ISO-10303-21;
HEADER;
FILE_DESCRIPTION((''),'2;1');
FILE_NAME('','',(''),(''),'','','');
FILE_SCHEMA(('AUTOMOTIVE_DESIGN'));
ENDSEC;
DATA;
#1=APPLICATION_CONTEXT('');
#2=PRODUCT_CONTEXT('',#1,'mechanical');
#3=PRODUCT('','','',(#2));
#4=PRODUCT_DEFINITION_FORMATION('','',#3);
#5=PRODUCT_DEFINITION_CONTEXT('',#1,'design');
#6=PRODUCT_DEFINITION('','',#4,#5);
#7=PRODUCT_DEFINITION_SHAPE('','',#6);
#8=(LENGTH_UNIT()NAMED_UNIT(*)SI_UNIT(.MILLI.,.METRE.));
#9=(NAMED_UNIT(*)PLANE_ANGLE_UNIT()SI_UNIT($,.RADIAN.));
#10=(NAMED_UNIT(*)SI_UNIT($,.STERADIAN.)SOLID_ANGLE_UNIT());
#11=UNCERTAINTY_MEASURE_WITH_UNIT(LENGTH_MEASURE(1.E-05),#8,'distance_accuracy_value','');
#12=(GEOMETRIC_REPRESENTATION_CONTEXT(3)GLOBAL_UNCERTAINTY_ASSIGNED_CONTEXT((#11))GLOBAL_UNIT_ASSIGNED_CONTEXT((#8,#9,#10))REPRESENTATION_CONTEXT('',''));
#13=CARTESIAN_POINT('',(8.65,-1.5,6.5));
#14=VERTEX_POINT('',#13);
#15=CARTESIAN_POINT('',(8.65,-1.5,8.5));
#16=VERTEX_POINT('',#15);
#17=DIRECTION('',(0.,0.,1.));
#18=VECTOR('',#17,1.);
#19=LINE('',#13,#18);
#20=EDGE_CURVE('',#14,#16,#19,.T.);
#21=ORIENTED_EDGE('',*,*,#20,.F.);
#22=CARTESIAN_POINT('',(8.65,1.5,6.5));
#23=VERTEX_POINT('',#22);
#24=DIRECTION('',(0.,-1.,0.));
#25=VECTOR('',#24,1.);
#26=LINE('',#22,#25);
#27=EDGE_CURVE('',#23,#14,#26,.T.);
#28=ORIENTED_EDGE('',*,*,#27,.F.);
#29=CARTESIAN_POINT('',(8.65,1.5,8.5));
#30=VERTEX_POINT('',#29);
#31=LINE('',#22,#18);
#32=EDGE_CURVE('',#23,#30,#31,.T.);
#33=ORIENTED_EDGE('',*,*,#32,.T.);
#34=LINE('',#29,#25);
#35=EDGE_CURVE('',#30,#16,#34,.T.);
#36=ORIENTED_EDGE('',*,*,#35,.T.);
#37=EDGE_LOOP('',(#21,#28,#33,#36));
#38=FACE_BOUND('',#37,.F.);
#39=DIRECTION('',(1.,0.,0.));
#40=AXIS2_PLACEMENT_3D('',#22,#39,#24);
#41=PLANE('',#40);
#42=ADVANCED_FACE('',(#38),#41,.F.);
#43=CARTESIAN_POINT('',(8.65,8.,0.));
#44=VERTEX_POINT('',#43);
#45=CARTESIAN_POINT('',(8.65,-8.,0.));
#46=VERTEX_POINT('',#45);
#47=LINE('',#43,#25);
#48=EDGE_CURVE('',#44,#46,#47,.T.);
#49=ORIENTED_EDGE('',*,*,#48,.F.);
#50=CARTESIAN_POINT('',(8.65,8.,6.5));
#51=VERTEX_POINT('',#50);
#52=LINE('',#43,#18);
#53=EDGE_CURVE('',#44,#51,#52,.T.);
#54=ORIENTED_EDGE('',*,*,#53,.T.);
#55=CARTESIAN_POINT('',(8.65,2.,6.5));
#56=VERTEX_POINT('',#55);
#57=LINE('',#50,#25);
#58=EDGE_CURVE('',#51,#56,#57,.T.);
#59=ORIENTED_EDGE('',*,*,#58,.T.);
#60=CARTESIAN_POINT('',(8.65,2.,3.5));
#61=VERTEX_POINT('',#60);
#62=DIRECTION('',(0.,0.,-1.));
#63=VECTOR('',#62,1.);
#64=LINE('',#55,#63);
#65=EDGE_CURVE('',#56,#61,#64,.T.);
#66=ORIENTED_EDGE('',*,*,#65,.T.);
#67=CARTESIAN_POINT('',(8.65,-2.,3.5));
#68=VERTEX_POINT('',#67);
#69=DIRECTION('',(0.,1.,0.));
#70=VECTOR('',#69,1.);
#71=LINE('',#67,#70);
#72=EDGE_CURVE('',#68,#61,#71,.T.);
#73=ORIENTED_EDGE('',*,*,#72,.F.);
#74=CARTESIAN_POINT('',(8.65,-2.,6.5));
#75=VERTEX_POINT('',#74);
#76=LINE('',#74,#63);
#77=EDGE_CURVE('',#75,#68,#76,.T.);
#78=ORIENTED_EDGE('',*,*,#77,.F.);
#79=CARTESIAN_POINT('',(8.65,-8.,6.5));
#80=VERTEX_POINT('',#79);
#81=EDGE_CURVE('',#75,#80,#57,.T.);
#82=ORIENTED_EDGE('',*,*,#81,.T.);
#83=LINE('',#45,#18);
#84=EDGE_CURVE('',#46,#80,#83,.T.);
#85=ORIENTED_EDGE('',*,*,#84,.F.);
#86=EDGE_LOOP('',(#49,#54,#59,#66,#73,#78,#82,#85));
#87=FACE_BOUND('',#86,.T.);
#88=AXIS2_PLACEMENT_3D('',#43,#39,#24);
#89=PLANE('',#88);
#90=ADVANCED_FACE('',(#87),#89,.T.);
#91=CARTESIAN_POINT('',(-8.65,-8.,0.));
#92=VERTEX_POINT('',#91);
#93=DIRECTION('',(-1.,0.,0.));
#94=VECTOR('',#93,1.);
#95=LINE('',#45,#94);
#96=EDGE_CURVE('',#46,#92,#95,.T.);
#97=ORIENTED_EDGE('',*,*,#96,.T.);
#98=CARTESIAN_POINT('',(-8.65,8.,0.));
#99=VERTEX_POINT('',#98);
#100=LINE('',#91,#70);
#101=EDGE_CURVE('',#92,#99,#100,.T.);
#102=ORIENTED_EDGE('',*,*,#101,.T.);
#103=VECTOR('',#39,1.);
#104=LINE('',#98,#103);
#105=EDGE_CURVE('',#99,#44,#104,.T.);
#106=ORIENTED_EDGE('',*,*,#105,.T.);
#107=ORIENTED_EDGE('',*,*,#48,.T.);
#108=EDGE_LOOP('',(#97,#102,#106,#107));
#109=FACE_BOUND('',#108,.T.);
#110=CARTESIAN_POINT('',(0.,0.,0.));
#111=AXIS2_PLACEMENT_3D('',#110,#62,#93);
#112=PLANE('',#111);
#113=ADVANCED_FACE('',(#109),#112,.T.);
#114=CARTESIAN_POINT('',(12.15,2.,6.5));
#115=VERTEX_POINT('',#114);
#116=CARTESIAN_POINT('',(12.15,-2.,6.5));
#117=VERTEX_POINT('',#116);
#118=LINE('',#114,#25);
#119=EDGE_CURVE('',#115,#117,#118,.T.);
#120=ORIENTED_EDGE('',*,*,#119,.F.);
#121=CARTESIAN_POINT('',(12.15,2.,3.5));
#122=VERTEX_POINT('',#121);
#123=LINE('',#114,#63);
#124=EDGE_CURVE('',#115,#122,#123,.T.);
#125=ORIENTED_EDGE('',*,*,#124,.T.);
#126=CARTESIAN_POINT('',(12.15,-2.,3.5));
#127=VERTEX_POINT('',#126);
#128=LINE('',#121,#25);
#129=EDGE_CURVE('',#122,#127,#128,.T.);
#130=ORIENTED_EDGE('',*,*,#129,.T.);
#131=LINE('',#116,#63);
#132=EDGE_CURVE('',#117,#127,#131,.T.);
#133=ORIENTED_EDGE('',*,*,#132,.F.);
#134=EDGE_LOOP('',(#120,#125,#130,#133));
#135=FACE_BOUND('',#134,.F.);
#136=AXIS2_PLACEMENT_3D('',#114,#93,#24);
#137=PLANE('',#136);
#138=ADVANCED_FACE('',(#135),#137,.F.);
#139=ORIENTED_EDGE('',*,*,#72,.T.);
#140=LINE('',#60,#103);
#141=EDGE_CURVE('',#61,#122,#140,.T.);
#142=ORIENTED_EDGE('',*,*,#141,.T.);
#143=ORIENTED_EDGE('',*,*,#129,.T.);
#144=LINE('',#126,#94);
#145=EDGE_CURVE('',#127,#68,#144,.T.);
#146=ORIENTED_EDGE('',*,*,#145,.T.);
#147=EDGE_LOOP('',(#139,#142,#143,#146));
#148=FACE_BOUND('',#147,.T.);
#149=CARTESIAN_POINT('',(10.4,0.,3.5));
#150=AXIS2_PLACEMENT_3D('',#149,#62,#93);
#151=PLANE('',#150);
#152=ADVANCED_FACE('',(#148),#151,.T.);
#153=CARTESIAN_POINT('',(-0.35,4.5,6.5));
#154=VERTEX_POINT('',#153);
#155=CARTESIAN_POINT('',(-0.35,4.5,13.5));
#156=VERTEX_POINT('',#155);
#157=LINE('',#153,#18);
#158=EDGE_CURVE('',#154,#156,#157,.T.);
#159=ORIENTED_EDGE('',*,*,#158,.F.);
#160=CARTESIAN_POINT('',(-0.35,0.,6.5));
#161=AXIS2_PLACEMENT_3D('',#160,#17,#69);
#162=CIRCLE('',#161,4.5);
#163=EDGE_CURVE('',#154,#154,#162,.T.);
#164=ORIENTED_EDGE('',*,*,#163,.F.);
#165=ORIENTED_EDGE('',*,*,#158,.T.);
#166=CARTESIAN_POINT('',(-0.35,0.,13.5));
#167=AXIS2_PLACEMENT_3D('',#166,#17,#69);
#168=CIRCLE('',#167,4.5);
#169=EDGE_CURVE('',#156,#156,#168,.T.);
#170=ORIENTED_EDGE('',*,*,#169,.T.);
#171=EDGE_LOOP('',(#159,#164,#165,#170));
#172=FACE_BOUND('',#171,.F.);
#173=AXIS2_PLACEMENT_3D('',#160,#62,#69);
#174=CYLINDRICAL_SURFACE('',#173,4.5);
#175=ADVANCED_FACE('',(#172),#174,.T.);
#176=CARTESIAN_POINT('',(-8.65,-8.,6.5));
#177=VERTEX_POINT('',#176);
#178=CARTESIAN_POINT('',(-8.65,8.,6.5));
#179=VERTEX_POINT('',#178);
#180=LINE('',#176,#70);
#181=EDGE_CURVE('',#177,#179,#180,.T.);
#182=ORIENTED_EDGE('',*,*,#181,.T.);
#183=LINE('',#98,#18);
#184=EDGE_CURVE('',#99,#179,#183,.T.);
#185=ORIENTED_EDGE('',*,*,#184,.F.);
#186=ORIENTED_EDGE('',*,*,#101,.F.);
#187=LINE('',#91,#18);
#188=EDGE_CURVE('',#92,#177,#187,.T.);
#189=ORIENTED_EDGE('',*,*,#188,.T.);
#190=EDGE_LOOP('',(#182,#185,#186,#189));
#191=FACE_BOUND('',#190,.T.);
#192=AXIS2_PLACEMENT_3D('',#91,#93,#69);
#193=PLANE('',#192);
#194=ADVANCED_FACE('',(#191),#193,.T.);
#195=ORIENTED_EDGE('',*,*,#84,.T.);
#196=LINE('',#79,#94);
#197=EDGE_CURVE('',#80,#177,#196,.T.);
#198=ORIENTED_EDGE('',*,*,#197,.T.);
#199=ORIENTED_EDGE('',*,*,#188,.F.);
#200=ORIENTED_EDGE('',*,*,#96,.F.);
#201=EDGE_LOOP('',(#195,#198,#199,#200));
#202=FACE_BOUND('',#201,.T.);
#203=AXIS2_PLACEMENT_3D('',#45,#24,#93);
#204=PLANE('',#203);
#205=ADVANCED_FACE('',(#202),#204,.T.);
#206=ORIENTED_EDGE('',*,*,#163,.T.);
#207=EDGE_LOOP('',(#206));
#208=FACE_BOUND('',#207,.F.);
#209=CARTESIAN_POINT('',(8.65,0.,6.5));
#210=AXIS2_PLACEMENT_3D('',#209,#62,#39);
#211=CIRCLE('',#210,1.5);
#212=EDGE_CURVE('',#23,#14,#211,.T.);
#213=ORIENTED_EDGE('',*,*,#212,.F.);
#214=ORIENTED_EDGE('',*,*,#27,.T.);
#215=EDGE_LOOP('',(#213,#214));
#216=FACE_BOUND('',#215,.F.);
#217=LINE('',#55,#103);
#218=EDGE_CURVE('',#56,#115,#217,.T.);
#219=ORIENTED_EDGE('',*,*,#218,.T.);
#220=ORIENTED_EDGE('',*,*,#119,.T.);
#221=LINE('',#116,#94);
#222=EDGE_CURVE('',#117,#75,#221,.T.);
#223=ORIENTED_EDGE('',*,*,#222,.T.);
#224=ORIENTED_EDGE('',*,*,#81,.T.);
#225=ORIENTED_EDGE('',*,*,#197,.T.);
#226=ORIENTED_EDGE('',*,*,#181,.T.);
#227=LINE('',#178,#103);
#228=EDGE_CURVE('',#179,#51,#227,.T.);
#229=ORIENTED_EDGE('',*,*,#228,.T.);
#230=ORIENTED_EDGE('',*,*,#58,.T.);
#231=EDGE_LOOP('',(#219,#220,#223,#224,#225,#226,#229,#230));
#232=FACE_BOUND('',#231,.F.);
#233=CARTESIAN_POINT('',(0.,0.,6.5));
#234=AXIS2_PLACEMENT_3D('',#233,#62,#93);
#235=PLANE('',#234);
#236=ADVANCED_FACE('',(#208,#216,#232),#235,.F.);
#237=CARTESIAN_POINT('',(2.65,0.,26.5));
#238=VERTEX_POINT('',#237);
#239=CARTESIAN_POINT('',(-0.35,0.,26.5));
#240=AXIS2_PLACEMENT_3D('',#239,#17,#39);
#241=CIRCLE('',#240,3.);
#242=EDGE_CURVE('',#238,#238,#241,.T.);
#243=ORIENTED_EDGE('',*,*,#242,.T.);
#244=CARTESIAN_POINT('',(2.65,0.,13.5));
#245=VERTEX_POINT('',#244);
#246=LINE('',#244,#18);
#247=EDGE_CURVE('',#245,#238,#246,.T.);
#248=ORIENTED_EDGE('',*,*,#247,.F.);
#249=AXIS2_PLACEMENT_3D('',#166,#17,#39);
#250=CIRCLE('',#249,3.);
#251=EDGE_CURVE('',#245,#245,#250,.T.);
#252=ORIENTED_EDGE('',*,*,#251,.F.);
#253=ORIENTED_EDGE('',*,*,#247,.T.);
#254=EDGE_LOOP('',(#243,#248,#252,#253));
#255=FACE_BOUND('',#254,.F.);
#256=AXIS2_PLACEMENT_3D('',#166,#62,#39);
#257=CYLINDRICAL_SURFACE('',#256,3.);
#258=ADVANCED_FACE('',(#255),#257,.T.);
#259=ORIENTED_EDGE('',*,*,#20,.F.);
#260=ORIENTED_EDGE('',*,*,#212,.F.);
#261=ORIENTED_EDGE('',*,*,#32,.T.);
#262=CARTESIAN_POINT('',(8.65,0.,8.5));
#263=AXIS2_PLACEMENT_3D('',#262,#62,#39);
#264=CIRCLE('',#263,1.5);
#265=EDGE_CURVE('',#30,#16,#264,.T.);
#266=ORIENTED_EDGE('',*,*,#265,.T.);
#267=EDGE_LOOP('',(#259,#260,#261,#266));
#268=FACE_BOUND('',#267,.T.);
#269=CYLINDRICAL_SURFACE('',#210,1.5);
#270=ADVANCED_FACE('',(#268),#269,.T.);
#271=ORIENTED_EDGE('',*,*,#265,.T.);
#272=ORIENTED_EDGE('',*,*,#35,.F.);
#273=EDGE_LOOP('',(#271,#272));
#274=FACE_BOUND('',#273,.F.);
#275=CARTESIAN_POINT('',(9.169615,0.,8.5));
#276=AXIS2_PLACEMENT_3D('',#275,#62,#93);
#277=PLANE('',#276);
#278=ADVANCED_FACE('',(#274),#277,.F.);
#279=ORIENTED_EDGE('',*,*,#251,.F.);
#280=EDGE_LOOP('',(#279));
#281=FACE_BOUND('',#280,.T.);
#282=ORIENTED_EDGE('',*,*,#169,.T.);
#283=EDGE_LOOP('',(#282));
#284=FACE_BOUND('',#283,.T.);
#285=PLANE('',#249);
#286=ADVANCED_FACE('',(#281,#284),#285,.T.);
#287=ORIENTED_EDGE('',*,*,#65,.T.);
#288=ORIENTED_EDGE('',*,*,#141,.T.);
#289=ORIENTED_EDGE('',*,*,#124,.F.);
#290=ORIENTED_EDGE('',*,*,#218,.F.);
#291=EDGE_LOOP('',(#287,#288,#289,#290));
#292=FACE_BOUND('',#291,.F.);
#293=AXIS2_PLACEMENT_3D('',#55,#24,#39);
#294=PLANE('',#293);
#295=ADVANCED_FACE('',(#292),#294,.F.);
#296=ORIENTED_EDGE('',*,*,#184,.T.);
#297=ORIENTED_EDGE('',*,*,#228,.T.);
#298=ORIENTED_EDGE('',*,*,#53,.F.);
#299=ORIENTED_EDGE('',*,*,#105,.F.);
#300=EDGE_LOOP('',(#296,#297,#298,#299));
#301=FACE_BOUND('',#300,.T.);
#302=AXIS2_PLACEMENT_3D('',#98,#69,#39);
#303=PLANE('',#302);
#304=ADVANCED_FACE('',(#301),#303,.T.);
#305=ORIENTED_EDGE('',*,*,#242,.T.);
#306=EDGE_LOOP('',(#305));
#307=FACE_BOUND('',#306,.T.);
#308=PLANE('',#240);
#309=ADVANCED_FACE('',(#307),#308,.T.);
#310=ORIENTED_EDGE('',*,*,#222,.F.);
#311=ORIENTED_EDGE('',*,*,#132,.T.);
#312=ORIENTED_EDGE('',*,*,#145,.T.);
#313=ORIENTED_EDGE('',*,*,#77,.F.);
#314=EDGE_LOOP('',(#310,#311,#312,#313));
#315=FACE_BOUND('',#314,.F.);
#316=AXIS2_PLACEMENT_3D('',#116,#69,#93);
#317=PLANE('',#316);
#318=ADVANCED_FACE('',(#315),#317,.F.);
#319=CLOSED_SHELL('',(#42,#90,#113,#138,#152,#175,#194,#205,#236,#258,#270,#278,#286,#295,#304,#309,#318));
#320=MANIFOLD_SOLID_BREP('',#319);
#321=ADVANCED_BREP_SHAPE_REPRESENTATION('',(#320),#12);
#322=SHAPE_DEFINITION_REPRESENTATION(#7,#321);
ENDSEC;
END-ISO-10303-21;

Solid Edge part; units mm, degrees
sketch "Sketch1" plane through (0, 0, 0) normal (0, 0, 1) x (1, 0, 0)
  line L0 (8.65, -8) -> (-8.65, -8)
  line L1 (-8.65, -8) -> (-8.65, 8)
  line L2 (-8.65, 8) -> (8.65, 8)
  line L3 (8.65, 8) -> (8.65, -8)
  dimension "D1" = 17.3
  dimension "D2" = 16
extrude "Protrusion1" add sketch "Sketch1" along normal blind 6.5
sketch "Sketch2" plane through (0, 0, 6.5) normal (0, 0, 1) x (0, 1, 0)
  circle A0 centre (0, 0.35) radius 4.5
  dimension "D1" = 8.3
extrude "ExtrudedProtrusion_2" add sketch "Sketch2" along normal blind 7
sketch "Sketch3" plane through (0, 0, 6.5) normal (0, 0, 1) x (1, 0, 0)
  line L0 (8.65, 2) -> (12.15, 2)
  line L1 (12.15, 2) -> (12.15, -2)
  line L2 (12.15, -2) -> (8.65, -2)
  line L3 (8.65, -2) -> (8.65, 2)
  dimension "D1" = 4
  dimension "D2" = 12.5
extrude "ExtrudedProtrusion_3" add sketch "Sketch3" against normal blind 3
sketch "Sketch4" plane through (1.75, 0, 6.5) normal (0, 0, 1) x (1, 0, 0)
  arc A0 (6.9, 1.5) -> (6.9, -1.5) centre (6.9, 0) cw
  line L0 (6.9, 1.5) -> (6.9, -1.5)
  dimension "D1" = 1.5
  dimension "D2" = 9
extrude "ExtrudedProtrusion_4" add sketch "Sketch4" along normal blind 2
sketch "Sketch5" plane through (-0.35, 0, 13.5) normal (0, 0, 1) x (1, 0, 0)
  circle A0 centre (0, 0) radius 3
extrude "ExtrudedProtrusion_5" add sketch "Sketch5" along normal blind 13
